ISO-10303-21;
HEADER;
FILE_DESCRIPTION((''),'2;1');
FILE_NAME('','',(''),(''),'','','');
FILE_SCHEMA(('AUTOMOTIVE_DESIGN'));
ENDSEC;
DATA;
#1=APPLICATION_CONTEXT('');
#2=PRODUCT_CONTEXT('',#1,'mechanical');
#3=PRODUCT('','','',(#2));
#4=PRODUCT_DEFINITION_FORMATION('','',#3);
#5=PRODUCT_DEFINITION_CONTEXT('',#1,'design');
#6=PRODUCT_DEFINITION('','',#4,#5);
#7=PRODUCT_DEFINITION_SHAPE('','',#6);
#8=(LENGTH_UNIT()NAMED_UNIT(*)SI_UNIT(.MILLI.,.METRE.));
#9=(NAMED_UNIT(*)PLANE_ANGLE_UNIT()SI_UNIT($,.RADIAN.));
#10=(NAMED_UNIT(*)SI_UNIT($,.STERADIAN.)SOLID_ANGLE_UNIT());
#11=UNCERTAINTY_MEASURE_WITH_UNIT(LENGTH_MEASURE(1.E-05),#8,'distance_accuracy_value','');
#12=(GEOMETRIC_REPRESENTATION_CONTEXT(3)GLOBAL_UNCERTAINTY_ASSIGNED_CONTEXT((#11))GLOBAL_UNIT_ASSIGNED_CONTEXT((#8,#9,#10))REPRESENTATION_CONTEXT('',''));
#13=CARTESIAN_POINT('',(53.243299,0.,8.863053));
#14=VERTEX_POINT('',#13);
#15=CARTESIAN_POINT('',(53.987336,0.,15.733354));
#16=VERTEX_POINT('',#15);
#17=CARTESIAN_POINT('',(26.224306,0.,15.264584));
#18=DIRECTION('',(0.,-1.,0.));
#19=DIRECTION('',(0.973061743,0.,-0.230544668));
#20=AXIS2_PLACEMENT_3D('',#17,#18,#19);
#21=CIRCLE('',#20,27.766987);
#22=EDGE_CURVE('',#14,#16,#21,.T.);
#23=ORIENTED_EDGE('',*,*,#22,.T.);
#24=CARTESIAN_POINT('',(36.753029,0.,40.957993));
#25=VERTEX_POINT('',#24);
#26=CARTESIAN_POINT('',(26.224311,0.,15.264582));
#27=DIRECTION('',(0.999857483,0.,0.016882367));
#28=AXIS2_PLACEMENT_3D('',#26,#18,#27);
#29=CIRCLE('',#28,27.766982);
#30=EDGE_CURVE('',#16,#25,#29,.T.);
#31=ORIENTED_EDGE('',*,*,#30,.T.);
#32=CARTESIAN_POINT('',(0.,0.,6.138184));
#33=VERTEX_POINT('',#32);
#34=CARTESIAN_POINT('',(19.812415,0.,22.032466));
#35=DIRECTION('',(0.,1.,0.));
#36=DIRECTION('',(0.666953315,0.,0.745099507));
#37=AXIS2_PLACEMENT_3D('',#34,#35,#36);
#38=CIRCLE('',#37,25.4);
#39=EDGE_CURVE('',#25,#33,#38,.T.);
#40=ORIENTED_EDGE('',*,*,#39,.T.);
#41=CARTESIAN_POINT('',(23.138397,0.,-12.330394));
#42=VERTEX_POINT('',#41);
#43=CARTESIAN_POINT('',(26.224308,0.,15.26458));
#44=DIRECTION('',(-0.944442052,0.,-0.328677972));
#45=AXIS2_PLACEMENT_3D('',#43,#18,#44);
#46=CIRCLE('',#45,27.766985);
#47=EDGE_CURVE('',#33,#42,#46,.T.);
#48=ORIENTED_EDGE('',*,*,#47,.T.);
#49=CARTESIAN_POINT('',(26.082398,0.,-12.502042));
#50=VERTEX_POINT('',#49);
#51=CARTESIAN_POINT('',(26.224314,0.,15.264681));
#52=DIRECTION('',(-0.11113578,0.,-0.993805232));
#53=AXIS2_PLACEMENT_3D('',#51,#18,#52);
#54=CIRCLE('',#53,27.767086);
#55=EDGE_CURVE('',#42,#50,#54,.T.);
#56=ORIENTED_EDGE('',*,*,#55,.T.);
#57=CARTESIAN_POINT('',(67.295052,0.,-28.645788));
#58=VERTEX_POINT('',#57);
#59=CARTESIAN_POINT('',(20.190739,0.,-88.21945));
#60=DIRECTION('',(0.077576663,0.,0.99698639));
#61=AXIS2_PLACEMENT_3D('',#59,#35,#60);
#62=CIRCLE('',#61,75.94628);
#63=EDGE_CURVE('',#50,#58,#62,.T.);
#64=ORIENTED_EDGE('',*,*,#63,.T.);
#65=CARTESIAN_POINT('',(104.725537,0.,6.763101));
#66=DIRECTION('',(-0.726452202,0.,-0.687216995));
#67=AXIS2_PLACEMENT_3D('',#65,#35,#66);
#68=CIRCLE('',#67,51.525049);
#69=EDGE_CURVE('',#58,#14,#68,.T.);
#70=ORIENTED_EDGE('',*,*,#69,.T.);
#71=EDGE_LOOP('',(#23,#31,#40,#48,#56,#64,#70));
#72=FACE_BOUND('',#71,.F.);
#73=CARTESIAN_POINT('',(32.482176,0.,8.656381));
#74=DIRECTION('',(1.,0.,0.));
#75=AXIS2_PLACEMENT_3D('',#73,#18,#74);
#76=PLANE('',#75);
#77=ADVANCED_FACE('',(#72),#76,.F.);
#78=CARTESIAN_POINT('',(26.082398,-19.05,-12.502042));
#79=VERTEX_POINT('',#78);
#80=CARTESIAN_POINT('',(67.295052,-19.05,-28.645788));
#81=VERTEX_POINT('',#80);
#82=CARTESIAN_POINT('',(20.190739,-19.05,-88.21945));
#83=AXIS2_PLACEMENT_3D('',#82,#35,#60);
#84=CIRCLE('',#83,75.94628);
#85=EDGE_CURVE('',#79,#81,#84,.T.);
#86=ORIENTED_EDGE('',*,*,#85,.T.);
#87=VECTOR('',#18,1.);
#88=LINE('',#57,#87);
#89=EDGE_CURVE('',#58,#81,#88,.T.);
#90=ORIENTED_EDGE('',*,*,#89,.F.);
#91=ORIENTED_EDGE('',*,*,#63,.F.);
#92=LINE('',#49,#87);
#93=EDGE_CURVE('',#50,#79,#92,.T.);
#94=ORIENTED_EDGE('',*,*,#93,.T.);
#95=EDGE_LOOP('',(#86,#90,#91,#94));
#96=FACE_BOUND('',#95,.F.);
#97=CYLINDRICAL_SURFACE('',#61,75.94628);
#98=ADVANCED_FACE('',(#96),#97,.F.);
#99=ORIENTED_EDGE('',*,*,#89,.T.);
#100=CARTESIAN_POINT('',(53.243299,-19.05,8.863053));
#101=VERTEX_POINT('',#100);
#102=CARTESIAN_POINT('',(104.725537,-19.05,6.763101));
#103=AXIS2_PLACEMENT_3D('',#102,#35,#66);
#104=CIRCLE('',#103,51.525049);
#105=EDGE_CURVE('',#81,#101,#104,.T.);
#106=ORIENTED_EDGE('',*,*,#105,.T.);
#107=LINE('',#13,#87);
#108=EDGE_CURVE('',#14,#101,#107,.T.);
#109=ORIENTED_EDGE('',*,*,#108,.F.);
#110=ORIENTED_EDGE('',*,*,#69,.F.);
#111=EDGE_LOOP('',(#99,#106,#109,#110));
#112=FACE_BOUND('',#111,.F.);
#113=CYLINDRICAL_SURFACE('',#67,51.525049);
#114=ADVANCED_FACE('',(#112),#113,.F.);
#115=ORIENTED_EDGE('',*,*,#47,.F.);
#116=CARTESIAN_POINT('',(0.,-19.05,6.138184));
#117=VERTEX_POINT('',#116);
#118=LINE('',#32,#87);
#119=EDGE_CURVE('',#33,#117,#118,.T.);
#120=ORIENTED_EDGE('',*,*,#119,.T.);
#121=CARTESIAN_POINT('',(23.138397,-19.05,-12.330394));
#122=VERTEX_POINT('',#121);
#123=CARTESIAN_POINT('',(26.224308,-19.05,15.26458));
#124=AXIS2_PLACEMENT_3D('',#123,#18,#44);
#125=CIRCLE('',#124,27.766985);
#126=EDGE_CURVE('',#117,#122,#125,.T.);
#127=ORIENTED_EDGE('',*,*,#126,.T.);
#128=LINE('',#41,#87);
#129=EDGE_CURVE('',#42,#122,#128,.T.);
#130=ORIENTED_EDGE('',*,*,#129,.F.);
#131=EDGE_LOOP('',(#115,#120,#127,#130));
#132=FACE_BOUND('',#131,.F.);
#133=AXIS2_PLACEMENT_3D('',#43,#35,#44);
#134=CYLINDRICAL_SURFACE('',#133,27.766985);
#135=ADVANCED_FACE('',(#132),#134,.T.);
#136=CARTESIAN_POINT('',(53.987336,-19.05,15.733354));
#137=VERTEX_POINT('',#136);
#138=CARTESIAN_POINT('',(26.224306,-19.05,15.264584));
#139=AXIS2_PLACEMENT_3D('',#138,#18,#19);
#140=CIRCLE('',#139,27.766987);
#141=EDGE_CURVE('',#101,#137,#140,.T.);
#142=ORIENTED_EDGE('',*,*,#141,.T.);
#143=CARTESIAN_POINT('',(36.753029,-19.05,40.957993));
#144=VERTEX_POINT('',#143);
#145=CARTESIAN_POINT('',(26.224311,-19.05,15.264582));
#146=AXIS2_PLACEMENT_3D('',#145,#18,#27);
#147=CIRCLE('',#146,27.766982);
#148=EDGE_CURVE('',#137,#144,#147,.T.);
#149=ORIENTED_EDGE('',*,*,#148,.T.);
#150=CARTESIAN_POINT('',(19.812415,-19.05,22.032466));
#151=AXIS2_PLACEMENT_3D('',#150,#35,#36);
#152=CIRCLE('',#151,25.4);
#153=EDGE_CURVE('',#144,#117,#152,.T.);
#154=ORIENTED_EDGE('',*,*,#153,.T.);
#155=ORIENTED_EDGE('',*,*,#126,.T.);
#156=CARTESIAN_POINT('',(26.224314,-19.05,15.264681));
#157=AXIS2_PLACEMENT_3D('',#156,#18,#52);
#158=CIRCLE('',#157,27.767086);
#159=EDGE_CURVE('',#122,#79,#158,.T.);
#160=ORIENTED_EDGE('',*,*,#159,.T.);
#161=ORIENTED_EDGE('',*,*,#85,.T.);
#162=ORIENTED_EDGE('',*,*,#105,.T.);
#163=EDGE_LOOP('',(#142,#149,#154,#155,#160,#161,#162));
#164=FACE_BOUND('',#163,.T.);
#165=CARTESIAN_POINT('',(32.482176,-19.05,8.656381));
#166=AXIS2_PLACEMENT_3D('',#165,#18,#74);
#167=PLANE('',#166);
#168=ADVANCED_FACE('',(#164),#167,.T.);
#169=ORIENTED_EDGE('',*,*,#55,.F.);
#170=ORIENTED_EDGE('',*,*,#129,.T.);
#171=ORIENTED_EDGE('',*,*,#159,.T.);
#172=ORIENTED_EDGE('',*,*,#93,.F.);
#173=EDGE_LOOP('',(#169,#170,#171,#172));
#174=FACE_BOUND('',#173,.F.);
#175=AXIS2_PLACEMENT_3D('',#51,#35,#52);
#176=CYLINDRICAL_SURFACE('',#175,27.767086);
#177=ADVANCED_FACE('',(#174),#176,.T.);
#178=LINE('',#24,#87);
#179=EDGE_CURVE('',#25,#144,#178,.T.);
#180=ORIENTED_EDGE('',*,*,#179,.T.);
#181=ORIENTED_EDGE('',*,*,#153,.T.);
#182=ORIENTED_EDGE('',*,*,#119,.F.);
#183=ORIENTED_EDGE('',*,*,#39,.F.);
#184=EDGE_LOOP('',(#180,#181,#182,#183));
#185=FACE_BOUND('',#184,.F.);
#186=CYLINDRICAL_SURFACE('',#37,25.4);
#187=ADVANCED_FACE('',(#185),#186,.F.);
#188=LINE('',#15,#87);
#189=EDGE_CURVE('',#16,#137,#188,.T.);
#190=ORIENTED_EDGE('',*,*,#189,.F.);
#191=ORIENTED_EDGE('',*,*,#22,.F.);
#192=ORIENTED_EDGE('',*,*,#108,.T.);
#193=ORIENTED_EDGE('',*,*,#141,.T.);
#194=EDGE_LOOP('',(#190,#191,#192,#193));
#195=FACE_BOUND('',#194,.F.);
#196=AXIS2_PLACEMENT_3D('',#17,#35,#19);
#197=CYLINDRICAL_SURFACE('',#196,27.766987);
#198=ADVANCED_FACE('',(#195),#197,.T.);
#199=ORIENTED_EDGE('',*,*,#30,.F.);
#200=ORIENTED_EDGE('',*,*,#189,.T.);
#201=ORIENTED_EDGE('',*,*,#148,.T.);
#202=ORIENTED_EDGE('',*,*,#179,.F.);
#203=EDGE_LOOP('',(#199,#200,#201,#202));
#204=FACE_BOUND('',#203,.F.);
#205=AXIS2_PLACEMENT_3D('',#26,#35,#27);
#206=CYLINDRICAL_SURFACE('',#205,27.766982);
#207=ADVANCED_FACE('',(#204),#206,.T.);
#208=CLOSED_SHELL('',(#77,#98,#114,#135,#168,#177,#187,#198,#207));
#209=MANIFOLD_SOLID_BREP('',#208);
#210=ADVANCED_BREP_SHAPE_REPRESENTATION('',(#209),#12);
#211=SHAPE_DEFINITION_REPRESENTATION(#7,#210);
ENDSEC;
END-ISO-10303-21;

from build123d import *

# Parameters (mm, degrees)
F1_DEPTH = 19.05


with BuildPart() as f1:
    # F0 (on Front) → F1 (new body)
    with BuildSketch(Plane.XZ):
        with BuildLine():
            ThreePointArc((36.753029, 40.957993), (37.281433, 3.593556), (0, 6.138184))
            ThreePointArc((0, 6.138184), (8.90252, -6.437058), (23.138397, -12.330394))
            ThreePointArc((23.138397, -12.330394), (24.611231, -12.401927), (26.082398, -12.502042))
            ThreePointArc((26.082398, -12.502042), (43.391463, -6.559586), (53.243299, 8.863053))
            ThreePointArc((53.243299, 8.863053), (53.500008, 12.310691), (53.987336, 15.733354))
            ThreePointArc((53.987336, 15.733354), (49.151042, 30.928882), (36.753029, 40.957993))
        make_face()
        with BuildLine():
            ThreePointArc((26.082398, -12.502042), (24.611231, -12.401927), (23.138397, -12.330394))
            ThreePointArc((23.138397, -12.330394), (24.608117, -12.455329), (26.082398, -12.502042))
        make_face()
        with BuildLine():
            ThreePointArc((53.243299, 8.863053), (53.829881, 12.274967), (53.987336, 15.733354))
            ThreePointArc((53.987336, 15.733354), (53.500008, 12.310691), (53.243299, 8.863053))
        make_face()
        with BuildLine():
            ThreePointArc((53.243299, 8.863053), (43.391463, -6.559586), (26.082398, -12.502042))
            ThreePointArc((26.082398, -12.502042), (47.890891, -17.50496), (67.295052, -28.645788))
            ThreePointArc((67.295052, -28.645788), (56.475186, -11.312691), (53.243299, 8.863053))
        make_face()
    extrude(amount=F1_DEPTH)


solid = f1.part
